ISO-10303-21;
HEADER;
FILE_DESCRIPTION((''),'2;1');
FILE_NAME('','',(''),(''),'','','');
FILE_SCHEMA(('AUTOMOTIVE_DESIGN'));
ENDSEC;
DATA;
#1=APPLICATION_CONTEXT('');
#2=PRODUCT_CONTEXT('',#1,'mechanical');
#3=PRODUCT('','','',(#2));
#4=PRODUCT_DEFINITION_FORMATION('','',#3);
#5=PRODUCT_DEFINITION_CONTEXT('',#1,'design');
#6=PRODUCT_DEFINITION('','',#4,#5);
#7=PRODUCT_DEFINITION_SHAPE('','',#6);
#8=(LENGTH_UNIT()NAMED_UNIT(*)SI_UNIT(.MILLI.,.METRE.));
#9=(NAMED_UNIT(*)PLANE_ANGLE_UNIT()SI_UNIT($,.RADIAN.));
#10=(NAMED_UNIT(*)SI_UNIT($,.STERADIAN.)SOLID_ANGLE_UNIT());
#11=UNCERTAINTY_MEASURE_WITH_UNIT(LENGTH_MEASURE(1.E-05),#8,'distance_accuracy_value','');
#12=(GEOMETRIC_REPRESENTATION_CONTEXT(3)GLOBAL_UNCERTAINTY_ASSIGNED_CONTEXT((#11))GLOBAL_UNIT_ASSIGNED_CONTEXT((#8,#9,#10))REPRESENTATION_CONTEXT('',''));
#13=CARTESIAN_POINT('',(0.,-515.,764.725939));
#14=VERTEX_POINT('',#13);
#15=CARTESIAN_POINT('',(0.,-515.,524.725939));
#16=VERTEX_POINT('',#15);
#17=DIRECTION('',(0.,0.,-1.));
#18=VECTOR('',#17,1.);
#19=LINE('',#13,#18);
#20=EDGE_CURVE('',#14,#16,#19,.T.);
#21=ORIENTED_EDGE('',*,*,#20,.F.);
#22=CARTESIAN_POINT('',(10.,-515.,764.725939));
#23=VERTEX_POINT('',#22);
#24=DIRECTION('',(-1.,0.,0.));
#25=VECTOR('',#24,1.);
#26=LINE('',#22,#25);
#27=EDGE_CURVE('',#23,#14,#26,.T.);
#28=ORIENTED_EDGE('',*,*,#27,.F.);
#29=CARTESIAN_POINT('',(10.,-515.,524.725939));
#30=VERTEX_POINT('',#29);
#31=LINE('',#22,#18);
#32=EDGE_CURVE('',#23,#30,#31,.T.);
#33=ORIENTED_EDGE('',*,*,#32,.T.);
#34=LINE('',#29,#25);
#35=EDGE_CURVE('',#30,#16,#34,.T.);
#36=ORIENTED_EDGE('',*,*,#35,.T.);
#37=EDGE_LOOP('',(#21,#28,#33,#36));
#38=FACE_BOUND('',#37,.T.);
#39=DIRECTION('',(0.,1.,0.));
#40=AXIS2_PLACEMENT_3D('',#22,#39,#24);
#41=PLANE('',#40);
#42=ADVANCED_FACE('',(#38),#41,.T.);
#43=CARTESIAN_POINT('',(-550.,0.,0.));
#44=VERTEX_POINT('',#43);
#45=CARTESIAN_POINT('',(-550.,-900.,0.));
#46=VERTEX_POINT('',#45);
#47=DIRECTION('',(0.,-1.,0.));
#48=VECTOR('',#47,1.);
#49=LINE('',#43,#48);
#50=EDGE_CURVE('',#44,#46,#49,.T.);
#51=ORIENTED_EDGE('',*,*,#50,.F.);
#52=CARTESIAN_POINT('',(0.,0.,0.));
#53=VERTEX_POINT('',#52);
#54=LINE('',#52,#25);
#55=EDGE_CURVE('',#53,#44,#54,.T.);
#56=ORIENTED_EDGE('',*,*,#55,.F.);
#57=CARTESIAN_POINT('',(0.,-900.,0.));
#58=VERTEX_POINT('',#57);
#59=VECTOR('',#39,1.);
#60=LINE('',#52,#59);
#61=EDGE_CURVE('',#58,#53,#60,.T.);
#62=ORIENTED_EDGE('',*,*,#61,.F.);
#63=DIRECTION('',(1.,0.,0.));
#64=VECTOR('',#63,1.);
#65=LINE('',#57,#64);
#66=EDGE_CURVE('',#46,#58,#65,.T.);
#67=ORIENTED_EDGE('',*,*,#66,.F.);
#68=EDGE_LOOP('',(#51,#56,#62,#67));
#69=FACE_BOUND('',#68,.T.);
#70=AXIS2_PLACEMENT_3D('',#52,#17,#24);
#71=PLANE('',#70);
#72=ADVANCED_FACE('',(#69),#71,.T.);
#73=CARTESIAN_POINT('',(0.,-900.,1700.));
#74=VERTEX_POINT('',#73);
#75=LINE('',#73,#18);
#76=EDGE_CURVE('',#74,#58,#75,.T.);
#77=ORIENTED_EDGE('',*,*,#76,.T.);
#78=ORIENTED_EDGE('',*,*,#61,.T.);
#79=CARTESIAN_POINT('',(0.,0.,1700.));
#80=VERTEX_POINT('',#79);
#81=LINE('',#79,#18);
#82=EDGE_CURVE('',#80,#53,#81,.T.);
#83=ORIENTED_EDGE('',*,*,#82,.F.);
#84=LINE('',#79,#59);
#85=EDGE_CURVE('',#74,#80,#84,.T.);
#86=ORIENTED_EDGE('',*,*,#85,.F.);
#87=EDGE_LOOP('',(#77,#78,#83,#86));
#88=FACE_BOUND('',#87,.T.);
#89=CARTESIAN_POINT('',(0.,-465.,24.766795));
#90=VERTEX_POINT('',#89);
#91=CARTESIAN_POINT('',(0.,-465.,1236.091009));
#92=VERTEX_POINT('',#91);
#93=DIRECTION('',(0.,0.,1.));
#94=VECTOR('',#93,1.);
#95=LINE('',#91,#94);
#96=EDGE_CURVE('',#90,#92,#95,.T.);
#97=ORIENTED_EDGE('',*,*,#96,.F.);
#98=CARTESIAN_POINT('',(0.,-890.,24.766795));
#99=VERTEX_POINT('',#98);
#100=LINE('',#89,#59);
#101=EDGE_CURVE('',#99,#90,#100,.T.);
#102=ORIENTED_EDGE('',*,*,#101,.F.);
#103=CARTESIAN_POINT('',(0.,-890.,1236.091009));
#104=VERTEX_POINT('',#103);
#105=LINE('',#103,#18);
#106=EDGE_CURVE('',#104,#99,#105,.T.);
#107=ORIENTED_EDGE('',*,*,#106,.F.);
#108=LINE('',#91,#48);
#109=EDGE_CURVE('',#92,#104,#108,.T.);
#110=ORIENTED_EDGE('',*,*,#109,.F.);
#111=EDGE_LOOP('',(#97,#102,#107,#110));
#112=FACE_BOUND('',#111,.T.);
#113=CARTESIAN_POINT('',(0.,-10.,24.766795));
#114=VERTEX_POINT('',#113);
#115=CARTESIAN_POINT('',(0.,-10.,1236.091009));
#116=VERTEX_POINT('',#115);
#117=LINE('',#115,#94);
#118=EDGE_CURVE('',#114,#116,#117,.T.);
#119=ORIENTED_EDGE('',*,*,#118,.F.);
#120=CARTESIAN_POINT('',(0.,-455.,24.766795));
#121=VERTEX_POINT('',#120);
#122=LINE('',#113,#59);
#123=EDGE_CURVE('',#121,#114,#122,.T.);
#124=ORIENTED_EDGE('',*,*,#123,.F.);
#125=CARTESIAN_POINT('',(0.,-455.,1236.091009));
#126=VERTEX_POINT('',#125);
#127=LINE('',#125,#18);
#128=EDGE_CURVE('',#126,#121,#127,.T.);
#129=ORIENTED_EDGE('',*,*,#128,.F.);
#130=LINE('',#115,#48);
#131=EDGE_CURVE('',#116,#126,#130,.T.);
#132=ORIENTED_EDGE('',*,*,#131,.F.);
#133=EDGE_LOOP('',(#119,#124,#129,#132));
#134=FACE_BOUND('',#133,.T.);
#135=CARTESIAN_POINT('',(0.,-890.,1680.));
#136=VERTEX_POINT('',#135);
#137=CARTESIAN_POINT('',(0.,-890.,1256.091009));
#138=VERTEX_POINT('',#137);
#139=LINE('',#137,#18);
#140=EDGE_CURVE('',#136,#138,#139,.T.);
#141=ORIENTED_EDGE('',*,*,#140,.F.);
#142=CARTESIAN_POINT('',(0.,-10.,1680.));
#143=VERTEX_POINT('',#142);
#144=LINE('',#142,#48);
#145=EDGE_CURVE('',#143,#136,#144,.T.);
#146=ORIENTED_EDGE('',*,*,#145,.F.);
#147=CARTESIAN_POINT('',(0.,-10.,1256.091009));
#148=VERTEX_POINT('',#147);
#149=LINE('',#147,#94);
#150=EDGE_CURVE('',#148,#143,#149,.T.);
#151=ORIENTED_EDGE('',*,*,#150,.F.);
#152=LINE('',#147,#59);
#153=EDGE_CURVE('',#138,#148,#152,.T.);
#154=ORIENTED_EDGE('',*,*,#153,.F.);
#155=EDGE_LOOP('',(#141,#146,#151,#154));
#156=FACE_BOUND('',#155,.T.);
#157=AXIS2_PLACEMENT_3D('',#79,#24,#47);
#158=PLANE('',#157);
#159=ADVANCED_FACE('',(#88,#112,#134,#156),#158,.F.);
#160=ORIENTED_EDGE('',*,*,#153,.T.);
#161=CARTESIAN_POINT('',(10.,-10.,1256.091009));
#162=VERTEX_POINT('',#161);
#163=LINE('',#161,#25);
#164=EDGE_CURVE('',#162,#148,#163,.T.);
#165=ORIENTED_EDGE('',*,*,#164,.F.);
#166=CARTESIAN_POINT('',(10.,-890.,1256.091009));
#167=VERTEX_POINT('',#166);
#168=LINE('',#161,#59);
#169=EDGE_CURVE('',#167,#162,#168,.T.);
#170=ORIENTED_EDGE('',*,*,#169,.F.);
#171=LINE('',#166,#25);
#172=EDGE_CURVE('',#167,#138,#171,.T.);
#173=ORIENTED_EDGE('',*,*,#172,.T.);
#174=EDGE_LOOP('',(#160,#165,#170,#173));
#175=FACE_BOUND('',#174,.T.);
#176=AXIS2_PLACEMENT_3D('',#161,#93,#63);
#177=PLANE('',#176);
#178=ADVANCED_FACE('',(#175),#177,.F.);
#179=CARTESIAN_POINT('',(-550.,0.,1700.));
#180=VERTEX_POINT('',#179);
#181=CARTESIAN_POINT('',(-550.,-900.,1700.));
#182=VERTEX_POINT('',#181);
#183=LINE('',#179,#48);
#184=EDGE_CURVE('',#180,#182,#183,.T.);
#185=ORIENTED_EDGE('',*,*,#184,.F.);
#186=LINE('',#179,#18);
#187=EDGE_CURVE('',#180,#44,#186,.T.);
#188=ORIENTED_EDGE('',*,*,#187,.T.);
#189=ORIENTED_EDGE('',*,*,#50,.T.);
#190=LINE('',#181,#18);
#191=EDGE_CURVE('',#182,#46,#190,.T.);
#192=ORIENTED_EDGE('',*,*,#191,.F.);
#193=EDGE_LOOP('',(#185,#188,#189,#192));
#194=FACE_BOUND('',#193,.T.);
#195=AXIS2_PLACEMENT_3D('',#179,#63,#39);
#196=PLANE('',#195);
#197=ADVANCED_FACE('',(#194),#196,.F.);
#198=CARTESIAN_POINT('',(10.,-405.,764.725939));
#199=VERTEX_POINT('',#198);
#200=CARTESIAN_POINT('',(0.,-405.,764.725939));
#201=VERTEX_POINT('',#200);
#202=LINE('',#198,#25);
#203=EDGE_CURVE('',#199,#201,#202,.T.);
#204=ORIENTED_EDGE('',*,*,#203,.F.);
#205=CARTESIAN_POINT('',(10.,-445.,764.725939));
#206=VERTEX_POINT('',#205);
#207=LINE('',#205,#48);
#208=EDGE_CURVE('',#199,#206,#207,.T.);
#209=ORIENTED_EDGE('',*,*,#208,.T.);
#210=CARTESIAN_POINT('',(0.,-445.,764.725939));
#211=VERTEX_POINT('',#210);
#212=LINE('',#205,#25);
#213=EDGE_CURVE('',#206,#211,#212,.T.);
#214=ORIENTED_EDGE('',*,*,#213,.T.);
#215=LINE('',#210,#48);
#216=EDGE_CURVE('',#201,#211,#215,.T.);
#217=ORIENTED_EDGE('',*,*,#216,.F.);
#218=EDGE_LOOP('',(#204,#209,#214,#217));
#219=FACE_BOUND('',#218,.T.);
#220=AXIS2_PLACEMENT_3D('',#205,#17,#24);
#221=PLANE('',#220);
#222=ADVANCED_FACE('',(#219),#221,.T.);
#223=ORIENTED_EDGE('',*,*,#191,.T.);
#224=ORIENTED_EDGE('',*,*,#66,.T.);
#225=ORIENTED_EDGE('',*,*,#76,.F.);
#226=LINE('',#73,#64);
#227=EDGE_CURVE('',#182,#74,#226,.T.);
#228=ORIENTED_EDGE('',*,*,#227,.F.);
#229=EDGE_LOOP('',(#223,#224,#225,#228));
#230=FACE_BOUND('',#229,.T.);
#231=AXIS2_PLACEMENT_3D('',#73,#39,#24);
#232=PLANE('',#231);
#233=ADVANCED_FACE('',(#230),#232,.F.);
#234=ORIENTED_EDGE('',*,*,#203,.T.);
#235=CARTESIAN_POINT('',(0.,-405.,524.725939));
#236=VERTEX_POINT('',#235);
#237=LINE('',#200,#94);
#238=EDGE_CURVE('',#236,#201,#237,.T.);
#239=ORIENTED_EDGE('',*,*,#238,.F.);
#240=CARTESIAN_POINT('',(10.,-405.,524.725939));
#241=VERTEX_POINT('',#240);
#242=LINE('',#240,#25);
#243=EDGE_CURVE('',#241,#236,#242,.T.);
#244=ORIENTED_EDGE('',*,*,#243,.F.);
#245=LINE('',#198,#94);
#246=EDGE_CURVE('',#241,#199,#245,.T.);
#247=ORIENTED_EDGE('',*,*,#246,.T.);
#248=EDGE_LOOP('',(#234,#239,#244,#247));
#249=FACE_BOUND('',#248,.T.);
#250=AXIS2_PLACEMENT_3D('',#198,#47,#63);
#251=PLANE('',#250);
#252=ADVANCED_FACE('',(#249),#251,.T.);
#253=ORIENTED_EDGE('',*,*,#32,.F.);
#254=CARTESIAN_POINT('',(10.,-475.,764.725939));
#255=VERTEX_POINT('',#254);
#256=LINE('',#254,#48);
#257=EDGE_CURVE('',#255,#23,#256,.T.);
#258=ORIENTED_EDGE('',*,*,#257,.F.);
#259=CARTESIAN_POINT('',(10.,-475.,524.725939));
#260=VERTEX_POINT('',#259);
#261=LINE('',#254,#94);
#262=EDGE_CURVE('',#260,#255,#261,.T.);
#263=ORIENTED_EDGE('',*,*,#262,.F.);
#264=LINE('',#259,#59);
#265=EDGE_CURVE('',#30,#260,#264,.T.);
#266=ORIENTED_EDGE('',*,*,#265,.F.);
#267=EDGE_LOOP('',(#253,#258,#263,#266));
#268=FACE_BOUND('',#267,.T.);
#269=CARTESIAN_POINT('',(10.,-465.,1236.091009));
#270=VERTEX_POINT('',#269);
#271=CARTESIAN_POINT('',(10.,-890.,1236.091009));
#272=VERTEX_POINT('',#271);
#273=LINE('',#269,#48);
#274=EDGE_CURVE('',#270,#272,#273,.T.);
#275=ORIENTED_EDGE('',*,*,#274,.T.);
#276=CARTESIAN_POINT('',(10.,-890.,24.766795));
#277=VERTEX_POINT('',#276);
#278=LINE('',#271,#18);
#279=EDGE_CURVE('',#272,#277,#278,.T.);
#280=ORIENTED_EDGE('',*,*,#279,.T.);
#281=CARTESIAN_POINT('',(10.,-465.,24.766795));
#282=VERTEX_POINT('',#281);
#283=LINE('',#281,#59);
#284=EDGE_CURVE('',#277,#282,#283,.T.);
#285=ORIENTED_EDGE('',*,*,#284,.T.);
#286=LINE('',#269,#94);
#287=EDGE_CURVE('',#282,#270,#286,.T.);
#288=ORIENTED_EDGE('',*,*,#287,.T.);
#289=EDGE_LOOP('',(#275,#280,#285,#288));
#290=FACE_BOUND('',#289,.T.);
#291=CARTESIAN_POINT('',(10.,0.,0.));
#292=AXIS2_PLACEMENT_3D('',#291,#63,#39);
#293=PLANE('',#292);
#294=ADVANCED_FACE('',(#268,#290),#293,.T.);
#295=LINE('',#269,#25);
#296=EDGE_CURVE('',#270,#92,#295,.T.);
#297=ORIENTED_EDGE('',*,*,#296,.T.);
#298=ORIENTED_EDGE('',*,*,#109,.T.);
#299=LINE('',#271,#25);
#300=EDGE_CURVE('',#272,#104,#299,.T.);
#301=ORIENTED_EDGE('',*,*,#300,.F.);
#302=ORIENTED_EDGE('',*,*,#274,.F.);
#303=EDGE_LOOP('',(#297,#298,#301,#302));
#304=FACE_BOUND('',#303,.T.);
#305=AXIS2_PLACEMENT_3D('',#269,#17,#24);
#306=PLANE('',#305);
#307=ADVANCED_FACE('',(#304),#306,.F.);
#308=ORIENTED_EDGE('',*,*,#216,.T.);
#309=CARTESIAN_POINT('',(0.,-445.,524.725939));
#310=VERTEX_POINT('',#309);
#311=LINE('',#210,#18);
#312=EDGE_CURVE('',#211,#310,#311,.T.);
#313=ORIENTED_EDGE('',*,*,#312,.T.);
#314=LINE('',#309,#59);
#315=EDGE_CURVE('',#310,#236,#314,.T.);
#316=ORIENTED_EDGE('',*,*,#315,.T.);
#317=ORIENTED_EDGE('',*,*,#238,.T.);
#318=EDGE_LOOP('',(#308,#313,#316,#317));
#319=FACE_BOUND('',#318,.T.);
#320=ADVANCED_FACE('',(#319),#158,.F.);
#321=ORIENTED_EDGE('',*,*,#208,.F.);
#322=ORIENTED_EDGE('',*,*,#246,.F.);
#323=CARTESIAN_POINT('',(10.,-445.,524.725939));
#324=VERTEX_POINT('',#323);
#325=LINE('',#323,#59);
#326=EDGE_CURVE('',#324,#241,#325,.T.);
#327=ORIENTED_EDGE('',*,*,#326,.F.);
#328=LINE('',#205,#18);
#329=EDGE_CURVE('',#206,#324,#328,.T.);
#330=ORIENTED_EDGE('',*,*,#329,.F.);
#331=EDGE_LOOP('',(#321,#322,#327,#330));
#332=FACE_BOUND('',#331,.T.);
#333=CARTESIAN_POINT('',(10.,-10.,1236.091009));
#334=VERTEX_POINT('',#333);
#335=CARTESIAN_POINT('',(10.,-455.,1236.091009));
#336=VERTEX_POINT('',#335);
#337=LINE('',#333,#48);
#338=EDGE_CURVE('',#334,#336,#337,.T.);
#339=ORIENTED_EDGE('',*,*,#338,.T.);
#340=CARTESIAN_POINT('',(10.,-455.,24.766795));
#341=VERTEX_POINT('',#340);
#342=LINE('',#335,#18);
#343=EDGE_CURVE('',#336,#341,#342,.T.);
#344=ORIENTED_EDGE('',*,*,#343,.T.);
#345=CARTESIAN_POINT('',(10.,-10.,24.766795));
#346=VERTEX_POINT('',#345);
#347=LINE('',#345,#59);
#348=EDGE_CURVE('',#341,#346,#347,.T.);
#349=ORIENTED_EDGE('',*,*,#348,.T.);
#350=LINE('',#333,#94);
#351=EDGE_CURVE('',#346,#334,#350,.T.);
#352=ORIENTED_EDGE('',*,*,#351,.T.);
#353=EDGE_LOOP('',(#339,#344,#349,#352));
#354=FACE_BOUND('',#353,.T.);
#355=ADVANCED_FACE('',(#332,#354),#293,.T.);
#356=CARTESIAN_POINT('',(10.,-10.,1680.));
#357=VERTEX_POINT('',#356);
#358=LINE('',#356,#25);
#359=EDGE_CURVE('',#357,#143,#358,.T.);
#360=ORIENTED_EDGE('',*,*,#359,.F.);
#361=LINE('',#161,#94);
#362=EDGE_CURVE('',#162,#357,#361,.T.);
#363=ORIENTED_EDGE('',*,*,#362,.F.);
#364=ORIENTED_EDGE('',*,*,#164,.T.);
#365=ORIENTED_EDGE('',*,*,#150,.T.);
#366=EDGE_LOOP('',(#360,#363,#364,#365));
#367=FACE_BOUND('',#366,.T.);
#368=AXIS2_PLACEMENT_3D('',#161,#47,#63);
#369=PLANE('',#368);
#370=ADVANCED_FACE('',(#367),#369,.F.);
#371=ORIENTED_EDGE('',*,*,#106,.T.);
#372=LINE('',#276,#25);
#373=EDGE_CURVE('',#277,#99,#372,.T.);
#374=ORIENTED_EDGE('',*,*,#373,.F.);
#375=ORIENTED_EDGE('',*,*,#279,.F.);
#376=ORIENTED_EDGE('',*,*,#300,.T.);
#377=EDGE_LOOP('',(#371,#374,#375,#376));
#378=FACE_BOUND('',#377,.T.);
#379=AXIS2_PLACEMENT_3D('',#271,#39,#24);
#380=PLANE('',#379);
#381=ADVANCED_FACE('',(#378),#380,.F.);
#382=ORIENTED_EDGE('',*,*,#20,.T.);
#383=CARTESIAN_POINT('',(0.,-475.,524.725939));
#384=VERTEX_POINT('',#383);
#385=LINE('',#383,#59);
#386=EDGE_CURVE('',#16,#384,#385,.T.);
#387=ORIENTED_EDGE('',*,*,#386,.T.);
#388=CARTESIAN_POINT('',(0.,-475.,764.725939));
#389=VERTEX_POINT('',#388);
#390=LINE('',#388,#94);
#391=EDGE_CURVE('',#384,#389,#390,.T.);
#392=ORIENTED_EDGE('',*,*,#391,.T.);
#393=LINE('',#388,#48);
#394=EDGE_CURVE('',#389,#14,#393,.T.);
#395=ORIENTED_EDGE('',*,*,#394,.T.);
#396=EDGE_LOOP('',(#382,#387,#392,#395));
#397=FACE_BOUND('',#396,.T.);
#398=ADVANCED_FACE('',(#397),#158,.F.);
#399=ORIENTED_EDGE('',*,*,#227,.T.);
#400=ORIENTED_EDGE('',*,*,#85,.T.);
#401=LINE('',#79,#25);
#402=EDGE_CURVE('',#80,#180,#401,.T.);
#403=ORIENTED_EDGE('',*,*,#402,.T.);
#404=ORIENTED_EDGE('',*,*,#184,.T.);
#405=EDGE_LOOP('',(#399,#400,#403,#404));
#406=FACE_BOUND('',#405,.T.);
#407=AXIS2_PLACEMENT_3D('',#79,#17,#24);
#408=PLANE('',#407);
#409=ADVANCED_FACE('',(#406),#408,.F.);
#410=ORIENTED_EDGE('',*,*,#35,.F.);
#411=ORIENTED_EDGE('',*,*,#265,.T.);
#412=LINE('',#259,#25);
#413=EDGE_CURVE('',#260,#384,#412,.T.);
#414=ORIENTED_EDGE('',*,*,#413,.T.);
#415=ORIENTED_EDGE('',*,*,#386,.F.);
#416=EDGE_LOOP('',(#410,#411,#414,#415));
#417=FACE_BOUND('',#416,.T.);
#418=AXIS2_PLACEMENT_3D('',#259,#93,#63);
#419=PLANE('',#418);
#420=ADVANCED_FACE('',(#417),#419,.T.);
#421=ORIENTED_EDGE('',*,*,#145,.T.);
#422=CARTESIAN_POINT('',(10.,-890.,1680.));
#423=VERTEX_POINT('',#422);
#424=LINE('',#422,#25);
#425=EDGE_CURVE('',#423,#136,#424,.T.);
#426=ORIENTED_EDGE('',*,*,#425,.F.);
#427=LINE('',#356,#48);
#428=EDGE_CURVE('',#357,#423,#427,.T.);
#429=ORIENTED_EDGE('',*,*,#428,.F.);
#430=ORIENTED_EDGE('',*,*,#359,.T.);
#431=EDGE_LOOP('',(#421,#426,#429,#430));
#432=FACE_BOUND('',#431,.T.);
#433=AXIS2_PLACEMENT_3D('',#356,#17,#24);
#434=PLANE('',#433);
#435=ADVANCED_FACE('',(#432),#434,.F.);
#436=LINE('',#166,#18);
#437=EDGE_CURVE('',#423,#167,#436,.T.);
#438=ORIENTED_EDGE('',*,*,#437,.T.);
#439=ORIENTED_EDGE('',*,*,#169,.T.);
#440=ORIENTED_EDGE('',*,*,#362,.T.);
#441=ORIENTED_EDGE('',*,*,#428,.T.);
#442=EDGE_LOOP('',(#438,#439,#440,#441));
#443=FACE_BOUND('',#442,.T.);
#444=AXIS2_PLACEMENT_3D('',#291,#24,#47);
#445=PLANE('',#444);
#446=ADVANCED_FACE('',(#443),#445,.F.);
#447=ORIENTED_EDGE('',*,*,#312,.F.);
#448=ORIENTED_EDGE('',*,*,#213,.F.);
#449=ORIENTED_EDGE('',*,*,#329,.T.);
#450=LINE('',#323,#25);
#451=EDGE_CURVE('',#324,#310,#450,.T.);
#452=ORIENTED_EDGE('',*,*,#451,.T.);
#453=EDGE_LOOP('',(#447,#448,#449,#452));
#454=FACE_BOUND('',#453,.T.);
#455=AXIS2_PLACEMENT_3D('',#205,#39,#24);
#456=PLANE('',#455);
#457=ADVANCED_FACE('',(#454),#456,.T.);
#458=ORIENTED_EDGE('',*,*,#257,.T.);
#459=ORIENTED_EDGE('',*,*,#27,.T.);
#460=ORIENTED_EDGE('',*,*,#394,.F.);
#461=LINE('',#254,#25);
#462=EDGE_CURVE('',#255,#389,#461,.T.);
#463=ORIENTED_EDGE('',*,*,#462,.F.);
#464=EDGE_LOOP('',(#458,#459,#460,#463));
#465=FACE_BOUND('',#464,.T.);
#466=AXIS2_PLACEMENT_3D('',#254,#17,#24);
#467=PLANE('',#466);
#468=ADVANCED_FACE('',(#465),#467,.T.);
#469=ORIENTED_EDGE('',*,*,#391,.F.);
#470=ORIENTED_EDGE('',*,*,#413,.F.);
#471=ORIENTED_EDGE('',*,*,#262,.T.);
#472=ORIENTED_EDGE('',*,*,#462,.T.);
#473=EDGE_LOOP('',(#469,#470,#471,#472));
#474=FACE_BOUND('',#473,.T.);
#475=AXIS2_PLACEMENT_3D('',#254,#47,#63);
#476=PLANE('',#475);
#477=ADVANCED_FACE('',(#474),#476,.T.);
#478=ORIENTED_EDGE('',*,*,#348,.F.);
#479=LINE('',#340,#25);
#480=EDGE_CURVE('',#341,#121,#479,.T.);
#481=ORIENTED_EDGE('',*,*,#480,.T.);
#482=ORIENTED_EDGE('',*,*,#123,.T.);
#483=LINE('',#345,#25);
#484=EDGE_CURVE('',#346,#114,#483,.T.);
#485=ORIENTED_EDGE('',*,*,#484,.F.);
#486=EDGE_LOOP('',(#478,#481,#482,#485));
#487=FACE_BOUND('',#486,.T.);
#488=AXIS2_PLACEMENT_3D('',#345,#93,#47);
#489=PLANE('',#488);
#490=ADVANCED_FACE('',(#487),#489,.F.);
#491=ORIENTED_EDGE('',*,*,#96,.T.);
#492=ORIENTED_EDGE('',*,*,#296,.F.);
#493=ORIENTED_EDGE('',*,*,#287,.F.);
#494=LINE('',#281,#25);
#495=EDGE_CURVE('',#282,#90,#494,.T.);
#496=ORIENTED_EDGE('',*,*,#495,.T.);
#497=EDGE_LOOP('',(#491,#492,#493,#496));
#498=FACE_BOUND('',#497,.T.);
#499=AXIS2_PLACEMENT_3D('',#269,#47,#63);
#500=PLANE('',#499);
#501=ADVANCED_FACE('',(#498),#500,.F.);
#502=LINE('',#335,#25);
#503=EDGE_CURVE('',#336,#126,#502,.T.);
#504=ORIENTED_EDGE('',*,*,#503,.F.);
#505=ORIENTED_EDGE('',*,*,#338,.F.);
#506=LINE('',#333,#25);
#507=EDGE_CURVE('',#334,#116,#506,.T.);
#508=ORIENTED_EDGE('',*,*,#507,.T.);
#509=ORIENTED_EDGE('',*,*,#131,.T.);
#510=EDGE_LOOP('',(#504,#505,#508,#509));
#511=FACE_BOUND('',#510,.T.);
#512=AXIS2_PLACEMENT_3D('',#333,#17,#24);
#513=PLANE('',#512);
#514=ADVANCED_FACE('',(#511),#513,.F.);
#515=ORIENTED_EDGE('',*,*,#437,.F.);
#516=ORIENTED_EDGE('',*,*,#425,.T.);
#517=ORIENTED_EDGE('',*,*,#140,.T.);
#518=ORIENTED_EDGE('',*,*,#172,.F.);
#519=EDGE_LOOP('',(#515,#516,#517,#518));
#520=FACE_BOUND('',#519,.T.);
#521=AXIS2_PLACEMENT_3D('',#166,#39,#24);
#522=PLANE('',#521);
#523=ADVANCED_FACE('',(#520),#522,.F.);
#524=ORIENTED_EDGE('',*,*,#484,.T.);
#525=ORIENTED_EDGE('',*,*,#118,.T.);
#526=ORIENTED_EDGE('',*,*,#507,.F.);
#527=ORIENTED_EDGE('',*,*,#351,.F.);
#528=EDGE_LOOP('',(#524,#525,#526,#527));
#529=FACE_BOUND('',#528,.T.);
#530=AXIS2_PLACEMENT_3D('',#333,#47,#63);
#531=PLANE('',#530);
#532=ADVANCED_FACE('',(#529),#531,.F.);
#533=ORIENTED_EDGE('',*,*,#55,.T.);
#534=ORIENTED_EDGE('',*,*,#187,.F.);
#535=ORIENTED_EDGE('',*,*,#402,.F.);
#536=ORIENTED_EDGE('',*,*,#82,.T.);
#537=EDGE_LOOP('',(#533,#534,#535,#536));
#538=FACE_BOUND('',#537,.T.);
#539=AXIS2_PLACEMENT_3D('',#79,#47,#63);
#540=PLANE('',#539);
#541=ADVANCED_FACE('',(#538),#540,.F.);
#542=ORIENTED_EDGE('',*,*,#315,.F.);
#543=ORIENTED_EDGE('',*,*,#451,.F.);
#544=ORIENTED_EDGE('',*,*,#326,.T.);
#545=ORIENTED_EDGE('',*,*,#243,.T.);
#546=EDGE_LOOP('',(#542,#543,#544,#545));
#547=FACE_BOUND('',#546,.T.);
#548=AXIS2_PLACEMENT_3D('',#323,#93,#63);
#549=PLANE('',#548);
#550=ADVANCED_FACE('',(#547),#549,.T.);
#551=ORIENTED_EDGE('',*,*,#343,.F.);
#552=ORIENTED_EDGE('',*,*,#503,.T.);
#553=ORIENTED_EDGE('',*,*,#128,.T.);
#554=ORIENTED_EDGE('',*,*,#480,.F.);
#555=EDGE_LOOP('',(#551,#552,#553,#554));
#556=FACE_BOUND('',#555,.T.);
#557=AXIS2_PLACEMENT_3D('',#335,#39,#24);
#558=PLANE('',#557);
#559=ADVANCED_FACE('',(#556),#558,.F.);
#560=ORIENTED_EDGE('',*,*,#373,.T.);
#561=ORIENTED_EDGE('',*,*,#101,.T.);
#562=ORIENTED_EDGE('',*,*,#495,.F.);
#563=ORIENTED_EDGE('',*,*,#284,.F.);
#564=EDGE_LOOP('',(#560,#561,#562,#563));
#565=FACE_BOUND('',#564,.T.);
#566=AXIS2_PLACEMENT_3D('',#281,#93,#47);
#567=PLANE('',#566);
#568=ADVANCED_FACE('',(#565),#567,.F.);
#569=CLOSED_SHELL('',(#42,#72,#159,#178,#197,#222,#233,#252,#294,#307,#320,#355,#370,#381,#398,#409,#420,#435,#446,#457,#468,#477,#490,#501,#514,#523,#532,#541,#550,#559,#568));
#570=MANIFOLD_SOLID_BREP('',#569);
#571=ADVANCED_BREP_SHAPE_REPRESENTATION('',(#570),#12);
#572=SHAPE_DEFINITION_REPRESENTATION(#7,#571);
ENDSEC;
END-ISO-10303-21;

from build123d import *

# Parameters (mm, degrees)
SKETCH1_W           = 550
SKETCH1_H           = 900
BOSS_EXTRUDE1_DEPTH = 1700
SKETCH2_W           = 423.908990982
SKETCH2_H           = 880
SKETCH2_W_2         = 1211.324213984
SKETCH2_H_2         = 445
SKETCH2_W_3         = 240
SKETCH2_H_3         = 40
SKETCH2_H_4         = 425
BOSS_EXTRUDE2_DEPTH = 10


with BuildPart() as part:
    # Sketch1 → Boss-Extrude1 (new body)
    with BuildSketch(Plane.XY):
        with Locations((-275, -450)):
            Rectangle(SKETCH1_W, SKETCH1_H)
    extrude(amount=BOSS_EXTRUDE1_DEPTH)

    # Sketch2 → Boss-Extrude2 (add)
    with BuildSketch(Plane(origin=(0, 0, 0), x_dir=(0, 0, -1), z_dir=(1, 0, 0))):
        with Locations((-1468.045504509, -450)):
            Rectangle(SKETCH2_W, SKETCH2_H)
        with Locations((-630.428902026, -232.5)):
            Rectangle(SKETCH2_W_2, SKETCH2_H_2)
        with Locations((-644.725938912, -425)):
            Rectangle(SKETCH2_W_3, SKETCH2_H_3, mode=Mode.SUBTRACT)
        with Locations((-630.428902026, -677.5)):
            Rectangle(SKETCH2_W_2, SKETCH2_H_4)
        with Locations((-644.725938912, -495)):
            Rectangle(SKETCH2_W_3, SKETCH2_H_3, mode=Mode.SUBTRACT)
    extrude(amount=BOSS_EXTRUDE2_DEPTH)


solid = part.part
